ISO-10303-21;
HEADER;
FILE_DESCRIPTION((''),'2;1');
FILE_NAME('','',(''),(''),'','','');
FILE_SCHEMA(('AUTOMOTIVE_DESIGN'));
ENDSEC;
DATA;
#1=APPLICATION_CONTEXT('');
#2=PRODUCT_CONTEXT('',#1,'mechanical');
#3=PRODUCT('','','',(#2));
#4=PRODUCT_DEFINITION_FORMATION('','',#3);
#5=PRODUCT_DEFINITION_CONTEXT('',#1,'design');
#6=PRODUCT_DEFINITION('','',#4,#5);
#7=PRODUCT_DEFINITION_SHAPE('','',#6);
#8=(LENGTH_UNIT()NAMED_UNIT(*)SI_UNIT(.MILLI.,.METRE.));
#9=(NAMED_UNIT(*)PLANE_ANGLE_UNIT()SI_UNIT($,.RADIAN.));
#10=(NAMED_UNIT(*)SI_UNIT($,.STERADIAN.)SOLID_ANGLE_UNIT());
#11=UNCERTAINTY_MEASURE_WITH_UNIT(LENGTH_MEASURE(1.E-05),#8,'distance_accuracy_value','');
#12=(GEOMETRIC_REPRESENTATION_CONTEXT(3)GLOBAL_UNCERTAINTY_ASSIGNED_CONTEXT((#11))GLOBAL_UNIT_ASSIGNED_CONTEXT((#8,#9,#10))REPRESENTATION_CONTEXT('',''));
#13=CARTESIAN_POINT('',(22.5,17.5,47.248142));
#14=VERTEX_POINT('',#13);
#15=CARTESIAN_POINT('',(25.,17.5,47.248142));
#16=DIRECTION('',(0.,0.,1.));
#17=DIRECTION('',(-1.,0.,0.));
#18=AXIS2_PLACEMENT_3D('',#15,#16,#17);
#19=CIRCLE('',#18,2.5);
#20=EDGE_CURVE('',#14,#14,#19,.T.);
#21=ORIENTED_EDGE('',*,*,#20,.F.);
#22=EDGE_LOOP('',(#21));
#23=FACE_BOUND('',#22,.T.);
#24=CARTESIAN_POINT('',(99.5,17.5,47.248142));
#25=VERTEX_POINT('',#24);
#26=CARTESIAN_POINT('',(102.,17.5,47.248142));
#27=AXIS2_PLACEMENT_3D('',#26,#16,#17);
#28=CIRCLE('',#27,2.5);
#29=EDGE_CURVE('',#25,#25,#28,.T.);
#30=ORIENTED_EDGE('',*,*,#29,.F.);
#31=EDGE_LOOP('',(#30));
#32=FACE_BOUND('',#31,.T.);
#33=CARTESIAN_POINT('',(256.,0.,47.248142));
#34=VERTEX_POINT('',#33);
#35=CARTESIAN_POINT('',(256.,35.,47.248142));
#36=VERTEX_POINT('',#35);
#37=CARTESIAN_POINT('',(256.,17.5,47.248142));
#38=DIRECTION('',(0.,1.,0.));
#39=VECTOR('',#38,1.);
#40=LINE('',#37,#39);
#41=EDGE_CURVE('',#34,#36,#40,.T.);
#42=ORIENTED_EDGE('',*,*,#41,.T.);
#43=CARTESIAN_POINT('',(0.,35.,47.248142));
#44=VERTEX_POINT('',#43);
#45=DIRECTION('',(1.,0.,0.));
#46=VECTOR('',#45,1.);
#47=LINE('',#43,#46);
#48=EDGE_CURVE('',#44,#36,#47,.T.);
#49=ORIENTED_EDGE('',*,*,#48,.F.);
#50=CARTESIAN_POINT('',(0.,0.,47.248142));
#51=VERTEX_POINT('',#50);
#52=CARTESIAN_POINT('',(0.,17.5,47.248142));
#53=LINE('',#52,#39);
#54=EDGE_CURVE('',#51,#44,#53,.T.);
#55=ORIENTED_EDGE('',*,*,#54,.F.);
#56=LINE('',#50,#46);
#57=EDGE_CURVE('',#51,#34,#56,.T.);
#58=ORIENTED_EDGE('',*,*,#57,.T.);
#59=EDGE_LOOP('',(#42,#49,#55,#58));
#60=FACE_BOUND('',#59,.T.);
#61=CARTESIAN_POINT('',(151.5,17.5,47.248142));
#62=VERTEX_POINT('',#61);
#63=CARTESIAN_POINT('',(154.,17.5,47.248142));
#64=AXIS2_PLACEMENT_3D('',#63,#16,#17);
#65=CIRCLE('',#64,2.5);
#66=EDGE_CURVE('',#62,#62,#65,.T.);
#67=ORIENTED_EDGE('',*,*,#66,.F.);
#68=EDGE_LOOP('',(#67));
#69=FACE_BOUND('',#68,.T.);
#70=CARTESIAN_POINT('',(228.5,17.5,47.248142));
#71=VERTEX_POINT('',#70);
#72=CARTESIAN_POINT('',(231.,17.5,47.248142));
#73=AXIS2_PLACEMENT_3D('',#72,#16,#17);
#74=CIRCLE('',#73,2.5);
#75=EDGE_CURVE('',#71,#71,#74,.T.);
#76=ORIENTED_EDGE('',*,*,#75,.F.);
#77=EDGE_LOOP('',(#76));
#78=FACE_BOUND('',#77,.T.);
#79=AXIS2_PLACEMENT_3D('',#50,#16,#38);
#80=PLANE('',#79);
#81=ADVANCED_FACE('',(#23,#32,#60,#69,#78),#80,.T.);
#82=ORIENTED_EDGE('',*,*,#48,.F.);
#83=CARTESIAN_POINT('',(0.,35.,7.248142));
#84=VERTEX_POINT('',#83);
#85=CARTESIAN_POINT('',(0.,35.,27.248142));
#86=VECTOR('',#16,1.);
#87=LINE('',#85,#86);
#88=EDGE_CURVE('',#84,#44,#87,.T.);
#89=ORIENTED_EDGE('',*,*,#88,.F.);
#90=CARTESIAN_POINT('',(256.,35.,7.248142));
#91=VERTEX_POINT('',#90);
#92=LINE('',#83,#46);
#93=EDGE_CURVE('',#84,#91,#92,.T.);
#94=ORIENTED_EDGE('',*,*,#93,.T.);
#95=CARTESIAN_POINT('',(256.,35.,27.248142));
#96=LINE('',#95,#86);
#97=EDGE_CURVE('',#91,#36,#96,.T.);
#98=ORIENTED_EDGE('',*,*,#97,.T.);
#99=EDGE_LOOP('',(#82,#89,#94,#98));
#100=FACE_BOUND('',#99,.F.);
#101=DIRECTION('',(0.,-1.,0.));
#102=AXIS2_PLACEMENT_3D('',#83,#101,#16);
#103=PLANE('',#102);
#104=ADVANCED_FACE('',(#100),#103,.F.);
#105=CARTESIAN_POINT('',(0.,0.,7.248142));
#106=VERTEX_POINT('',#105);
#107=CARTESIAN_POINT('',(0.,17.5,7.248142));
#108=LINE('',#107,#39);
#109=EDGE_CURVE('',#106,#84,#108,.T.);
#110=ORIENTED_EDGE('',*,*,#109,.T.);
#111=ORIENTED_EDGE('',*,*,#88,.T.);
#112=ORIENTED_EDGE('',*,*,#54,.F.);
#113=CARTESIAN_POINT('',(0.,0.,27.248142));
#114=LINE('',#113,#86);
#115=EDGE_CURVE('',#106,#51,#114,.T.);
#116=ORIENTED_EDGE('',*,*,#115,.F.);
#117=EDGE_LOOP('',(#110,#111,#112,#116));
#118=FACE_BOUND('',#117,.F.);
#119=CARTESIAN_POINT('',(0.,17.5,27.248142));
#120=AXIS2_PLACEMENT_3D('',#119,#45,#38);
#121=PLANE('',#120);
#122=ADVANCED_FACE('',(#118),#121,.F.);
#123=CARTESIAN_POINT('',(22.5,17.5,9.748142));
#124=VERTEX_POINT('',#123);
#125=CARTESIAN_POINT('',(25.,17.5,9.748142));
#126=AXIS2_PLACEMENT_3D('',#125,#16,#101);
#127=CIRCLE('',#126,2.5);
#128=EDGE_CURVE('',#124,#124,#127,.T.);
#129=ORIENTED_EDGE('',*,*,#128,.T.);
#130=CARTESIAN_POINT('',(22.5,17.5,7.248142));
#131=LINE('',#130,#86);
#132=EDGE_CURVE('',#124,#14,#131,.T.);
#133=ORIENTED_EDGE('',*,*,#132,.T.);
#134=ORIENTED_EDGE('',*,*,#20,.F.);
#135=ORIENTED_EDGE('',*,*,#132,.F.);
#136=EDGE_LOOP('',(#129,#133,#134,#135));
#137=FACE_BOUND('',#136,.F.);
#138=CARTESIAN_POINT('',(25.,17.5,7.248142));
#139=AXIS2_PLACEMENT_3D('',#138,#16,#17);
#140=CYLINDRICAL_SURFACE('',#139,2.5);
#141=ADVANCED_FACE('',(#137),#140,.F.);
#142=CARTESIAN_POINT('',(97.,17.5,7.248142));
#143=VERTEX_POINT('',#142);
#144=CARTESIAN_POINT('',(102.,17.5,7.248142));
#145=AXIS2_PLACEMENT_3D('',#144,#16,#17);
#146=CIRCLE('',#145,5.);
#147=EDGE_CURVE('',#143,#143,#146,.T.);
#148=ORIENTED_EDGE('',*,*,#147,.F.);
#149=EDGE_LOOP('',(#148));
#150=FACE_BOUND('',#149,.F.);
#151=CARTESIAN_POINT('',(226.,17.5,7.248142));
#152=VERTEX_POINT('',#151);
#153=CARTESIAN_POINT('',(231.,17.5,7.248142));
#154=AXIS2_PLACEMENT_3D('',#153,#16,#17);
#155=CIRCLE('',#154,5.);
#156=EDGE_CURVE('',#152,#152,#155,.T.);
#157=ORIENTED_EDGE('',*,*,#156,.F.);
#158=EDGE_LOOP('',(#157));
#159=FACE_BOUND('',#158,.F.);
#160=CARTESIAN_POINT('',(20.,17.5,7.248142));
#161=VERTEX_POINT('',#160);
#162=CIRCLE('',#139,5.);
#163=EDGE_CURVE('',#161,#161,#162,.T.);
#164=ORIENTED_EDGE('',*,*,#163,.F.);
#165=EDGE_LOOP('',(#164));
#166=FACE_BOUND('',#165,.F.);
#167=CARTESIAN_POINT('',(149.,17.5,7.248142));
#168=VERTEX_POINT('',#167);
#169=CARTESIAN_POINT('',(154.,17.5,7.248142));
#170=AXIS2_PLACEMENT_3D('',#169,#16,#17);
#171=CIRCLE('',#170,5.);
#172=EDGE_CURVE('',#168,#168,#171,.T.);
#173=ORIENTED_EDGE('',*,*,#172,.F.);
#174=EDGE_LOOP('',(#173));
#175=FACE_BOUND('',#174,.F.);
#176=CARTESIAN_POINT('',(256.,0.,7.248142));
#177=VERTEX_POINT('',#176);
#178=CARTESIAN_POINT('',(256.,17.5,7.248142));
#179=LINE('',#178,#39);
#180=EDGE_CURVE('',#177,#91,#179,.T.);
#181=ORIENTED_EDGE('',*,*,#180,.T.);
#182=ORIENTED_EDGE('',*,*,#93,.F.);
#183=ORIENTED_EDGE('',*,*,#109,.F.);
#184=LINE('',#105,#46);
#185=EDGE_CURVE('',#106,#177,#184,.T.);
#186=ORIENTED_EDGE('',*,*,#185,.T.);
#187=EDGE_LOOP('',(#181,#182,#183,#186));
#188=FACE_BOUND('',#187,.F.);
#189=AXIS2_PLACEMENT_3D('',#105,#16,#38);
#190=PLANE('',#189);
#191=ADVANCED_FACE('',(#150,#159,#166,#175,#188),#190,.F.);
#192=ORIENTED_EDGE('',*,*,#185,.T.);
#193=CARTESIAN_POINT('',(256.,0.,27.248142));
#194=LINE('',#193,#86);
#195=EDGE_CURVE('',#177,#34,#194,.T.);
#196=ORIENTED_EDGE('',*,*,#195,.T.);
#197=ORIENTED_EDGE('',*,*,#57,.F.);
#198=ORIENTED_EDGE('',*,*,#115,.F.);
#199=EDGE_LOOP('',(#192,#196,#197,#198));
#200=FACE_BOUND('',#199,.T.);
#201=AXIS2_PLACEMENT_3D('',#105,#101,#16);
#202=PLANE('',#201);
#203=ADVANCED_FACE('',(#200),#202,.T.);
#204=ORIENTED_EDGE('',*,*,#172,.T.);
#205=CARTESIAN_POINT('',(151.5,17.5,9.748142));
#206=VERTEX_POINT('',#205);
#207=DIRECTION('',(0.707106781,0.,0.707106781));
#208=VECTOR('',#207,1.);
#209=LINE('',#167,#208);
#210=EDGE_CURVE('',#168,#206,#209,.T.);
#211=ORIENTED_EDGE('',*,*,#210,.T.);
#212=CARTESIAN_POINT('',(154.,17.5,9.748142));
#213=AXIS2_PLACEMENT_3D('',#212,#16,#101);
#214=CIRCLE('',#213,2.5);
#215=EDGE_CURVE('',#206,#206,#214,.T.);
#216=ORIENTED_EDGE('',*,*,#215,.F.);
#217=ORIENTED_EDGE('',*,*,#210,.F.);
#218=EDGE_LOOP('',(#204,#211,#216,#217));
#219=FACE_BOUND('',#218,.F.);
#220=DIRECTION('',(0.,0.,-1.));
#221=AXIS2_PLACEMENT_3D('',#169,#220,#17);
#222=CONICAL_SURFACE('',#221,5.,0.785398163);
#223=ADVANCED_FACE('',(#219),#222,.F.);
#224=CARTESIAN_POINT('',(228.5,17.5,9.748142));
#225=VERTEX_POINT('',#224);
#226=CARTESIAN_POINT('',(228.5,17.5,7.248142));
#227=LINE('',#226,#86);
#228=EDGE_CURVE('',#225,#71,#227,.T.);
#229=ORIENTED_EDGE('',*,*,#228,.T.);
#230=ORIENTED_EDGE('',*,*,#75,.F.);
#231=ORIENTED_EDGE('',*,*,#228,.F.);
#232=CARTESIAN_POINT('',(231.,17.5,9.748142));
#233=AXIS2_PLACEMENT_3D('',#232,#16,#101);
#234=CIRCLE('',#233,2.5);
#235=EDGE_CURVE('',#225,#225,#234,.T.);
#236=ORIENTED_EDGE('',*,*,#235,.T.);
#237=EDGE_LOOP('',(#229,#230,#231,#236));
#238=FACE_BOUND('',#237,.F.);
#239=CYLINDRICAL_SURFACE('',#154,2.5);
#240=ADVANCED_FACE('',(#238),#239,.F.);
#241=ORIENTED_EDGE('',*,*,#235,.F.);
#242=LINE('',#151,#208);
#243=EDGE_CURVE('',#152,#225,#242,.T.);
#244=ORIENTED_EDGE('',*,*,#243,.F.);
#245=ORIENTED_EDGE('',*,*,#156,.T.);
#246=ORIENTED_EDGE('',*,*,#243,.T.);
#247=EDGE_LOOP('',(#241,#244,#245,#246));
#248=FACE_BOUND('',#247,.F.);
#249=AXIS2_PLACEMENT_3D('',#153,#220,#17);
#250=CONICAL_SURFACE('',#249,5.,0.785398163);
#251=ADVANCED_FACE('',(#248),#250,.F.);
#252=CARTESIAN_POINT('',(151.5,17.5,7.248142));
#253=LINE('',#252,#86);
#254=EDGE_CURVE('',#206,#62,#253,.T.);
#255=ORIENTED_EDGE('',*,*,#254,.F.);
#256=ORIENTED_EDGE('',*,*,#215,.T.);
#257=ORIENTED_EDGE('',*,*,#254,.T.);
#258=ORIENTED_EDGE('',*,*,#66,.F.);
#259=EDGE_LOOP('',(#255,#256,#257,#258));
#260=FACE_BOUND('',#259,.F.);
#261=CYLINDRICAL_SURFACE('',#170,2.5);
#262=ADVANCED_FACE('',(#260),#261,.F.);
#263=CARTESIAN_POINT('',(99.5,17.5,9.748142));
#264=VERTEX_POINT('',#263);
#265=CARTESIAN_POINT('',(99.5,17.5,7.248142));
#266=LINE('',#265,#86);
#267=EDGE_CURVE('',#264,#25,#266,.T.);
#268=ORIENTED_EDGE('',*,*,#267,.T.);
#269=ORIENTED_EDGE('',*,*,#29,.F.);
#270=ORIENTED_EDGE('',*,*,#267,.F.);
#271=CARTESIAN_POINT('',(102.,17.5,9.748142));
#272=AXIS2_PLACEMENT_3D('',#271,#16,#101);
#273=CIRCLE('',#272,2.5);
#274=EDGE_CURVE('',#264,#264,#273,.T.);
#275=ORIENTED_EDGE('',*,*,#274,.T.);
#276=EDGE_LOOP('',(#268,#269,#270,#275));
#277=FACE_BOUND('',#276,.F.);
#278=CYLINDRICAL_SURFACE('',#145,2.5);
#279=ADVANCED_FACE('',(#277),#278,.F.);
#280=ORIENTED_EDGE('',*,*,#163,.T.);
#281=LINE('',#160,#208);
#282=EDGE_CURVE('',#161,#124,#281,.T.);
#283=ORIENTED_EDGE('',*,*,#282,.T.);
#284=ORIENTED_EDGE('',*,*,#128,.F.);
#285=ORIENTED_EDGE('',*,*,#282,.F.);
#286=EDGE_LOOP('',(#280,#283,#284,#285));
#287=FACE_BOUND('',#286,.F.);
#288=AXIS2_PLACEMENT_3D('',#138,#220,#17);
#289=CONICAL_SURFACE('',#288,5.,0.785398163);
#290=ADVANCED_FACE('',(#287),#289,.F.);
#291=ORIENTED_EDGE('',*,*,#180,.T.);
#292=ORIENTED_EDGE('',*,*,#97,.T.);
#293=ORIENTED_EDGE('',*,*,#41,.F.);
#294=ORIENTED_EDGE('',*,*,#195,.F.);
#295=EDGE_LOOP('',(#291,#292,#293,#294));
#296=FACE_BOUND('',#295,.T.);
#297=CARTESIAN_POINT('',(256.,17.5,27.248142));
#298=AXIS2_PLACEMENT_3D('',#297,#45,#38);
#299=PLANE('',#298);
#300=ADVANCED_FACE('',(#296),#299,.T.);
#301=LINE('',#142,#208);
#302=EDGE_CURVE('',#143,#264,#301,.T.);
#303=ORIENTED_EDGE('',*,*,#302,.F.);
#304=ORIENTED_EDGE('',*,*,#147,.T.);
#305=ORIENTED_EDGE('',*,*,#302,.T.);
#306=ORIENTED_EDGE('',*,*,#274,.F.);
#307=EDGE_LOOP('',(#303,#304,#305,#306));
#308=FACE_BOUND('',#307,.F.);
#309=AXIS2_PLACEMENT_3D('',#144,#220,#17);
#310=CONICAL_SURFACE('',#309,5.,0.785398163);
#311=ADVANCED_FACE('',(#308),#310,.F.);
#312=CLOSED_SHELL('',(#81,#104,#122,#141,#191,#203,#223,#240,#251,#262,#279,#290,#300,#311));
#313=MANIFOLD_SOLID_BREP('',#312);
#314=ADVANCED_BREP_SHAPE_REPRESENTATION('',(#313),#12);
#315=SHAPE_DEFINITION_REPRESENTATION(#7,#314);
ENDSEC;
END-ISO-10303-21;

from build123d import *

# Parameters (mm, degrees)
F0_W           = 35
F0_H           = 40
F1_DEPTH       = 256
F3_D           = 5
F3_CSINK_D     = 10
F3_CSINK_ANGLE = 90


with BuildPart() as f1:
    # F0 (on Right) → F1 (new body)
    with BuildSketch(Plane.YZ):
        with Locations((17.5, 27.248142)):
            Rectangle(F0_W, F0_H)
    extrude(amount=F1_DEPTH)

    # F3 (through all)
    with Locations(Plane(origin=(0, 0, 7.248142), x_dir=(1, 0, 0), z_dir=(0, 0, -1))):
        with Locations((231, -17.5), (154, -17.5), (102, -17.5), (25, -17.5)):
            CounterSinkHole(F3_D / 2, F3_CSINK_D / 2, counter_sink_angle=F3_CSINK_ANGLE)


solid = f1.part
